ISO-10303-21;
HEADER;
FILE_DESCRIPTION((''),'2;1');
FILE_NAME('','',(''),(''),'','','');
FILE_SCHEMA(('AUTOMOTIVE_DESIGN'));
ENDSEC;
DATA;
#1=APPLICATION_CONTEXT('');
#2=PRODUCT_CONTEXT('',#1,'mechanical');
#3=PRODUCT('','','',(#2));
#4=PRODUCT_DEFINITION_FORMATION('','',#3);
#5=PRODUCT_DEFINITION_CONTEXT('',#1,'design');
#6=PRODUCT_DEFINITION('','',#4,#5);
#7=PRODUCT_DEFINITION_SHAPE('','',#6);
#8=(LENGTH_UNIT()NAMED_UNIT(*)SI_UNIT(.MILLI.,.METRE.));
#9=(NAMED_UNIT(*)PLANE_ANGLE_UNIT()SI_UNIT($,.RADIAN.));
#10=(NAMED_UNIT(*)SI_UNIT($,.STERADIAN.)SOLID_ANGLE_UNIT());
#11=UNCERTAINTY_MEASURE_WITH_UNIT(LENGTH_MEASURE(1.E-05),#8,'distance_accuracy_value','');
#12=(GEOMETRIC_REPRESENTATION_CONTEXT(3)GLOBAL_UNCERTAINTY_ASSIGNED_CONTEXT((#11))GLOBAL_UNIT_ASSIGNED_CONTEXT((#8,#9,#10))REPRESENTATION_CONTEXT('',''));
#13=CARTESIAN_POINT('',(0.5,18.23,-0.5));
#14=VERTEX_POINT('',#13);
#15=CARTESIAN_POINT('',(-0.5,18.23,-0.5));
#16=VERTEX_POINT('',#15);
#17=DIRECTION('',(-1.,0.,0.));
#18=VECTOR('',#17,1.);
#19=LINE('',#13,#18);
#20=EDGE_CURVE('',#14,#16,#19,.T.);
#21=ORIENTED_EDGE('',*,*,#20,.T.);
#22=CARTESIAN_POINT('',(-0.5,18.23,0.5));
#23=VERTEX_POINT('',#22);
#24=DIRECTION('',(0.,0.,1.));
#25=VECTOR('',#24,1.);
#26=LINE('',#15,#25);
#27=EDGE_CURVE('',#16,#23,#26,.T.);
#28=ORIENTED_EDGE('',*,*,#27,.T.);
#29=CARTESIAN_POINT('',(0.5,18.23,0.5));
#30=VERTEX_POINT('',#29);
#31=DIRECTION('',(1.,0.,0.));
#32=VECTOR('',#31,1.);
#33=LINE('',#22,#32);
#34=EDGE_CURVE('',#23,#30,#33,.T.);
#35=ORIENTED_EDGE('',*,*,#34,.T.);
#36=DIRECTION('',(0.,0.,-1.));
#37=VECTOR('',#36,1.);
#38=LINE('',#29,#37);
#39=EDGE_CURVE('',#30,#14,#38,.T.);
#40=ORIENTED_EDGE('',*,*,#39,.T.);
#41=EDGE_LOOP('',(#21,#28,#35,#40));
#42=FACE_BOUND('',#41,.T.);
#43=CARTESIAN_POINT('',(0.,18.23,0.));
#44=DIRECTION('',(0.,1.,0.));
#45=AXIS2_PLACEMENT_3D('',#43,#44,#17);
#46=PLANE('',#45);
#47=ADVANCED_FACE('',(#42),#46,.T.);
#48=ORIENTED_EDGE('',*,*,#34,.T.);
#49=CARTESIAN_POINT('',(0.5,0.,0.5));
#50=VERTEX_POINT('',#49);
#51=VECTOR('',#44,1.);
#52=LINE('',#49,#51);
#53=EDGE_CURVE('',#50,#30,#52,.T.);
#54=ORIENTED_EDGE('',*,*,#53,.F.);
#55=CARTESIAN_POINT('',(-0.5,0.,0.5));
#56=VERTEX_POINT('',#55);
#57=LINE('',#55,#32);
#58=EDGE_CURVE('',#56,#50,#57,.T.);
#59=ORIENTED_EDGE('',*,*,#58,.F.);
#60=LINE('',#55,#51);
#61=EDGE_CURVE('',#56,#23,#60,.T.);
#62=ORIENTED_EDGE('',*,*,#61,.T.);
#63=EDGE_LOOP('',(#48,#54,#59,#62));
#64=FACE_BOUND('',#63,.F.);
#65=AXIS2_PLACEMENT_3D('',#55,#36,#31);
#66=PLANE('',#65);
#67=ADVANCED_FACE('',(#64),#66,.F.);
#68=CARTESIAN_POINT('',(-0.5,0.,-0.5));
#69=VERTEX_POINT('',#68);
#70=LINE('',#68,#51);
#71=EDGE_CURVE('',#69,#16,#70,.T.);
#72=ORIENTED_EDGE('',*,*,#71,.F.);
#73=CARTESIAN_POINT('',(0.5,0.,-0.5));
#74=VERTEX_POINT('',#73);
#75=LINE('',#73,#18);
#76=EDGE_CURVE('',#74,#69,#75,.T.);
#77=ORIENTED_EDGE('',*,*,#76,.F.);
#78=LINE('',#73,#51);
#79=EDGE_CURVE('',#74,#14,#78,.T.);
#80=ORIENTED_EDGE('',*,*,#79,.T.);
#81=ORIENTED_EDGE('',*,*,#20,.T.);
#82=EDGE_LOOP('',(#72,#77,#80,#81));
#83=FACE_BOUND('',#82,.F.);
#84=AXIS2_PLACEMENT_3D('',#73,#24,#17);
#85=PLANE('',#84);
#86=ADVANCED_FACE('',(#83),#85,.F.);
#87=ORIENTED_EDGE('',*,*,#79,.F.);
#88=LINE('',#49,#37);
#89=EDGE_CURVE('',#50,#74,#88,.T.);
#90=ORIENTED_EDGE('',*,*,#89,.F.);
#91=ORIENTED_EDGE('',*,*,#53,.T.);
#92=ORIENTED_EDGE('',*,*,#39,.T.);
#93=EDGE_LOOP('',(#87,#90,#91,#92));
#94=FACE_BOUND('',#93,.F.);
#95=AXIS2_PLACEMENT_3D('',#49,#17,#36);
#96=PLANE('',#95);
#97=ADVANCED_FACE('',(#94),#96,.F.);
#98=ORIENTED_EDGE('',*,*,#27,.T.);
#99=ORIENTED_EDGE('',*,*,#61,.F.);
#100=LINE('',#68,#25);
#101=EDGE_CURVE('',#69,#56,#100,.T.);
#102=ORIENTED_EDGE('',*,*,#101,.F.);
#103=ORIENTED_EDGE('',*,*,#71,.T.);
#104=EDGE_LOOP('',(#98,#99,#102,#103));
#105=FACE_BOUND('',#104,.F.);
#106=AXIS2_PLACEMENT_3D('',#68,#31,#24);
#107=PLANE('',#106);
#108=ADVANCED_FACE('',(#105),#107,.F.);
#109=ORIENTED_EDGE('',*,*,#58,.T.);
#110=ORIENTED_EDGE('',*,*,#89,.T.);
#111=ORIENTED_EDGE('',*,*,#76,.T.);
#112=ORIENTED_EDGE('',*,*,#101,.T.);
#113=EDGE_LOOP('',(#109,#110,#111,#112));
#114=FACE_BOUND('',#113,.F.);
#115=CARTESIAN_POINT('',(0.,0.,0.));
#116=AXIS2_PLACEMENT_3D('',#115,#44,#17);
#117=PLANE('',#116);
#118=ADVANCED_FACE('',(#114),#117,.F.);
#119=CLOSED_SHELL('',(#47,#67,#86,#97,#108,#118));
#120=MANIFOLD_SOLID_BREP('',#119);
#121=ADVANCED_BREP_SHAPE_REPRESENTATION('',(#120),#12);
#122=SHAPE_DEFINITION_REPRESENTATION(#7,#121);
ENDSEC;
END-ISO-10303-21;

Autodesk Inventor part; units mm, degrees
ref_plane "YZ Plane" through (0, 0, 0) normal (1, 0, 0) x (0, 1, 0)
ref_plane "XZ Plane" through (0, 0, 0) normal (0, 1, 0) x (-1, 0, 0)
ref_plane "XY Plane" through (0, 0, 0) normal (0, 0, 1) x (1, 0, 0)
sketch "Sketch4" plane through (0, 0, 0) normal (0, 1, 0) x (-1, 0, 0)
  line L0 (0.5, 0.5) -> (-0.5, 0.5)
  line L1 (-0.5, 0.5) -> (-0.5, -0.5)
  line L2 (-0.5, -0.5) -> (0.5, -0.5)
  line L3 (0.5, -0.5) -> (0.5, 0.5)
  line L4 (0.5, 0.5) -> (-0.5, -0.5) construction
  line L5 (-0.5, 0.5) -> (0.5, -0.5) construction
  point P0 (0, 0)
  dimension "d13" = 1
  dimension "d14" = 1
extrude "Extrusion4" add sketch "Sketch4" along normal blind 18.23
properties part number "jst-vh-2p_wire"
